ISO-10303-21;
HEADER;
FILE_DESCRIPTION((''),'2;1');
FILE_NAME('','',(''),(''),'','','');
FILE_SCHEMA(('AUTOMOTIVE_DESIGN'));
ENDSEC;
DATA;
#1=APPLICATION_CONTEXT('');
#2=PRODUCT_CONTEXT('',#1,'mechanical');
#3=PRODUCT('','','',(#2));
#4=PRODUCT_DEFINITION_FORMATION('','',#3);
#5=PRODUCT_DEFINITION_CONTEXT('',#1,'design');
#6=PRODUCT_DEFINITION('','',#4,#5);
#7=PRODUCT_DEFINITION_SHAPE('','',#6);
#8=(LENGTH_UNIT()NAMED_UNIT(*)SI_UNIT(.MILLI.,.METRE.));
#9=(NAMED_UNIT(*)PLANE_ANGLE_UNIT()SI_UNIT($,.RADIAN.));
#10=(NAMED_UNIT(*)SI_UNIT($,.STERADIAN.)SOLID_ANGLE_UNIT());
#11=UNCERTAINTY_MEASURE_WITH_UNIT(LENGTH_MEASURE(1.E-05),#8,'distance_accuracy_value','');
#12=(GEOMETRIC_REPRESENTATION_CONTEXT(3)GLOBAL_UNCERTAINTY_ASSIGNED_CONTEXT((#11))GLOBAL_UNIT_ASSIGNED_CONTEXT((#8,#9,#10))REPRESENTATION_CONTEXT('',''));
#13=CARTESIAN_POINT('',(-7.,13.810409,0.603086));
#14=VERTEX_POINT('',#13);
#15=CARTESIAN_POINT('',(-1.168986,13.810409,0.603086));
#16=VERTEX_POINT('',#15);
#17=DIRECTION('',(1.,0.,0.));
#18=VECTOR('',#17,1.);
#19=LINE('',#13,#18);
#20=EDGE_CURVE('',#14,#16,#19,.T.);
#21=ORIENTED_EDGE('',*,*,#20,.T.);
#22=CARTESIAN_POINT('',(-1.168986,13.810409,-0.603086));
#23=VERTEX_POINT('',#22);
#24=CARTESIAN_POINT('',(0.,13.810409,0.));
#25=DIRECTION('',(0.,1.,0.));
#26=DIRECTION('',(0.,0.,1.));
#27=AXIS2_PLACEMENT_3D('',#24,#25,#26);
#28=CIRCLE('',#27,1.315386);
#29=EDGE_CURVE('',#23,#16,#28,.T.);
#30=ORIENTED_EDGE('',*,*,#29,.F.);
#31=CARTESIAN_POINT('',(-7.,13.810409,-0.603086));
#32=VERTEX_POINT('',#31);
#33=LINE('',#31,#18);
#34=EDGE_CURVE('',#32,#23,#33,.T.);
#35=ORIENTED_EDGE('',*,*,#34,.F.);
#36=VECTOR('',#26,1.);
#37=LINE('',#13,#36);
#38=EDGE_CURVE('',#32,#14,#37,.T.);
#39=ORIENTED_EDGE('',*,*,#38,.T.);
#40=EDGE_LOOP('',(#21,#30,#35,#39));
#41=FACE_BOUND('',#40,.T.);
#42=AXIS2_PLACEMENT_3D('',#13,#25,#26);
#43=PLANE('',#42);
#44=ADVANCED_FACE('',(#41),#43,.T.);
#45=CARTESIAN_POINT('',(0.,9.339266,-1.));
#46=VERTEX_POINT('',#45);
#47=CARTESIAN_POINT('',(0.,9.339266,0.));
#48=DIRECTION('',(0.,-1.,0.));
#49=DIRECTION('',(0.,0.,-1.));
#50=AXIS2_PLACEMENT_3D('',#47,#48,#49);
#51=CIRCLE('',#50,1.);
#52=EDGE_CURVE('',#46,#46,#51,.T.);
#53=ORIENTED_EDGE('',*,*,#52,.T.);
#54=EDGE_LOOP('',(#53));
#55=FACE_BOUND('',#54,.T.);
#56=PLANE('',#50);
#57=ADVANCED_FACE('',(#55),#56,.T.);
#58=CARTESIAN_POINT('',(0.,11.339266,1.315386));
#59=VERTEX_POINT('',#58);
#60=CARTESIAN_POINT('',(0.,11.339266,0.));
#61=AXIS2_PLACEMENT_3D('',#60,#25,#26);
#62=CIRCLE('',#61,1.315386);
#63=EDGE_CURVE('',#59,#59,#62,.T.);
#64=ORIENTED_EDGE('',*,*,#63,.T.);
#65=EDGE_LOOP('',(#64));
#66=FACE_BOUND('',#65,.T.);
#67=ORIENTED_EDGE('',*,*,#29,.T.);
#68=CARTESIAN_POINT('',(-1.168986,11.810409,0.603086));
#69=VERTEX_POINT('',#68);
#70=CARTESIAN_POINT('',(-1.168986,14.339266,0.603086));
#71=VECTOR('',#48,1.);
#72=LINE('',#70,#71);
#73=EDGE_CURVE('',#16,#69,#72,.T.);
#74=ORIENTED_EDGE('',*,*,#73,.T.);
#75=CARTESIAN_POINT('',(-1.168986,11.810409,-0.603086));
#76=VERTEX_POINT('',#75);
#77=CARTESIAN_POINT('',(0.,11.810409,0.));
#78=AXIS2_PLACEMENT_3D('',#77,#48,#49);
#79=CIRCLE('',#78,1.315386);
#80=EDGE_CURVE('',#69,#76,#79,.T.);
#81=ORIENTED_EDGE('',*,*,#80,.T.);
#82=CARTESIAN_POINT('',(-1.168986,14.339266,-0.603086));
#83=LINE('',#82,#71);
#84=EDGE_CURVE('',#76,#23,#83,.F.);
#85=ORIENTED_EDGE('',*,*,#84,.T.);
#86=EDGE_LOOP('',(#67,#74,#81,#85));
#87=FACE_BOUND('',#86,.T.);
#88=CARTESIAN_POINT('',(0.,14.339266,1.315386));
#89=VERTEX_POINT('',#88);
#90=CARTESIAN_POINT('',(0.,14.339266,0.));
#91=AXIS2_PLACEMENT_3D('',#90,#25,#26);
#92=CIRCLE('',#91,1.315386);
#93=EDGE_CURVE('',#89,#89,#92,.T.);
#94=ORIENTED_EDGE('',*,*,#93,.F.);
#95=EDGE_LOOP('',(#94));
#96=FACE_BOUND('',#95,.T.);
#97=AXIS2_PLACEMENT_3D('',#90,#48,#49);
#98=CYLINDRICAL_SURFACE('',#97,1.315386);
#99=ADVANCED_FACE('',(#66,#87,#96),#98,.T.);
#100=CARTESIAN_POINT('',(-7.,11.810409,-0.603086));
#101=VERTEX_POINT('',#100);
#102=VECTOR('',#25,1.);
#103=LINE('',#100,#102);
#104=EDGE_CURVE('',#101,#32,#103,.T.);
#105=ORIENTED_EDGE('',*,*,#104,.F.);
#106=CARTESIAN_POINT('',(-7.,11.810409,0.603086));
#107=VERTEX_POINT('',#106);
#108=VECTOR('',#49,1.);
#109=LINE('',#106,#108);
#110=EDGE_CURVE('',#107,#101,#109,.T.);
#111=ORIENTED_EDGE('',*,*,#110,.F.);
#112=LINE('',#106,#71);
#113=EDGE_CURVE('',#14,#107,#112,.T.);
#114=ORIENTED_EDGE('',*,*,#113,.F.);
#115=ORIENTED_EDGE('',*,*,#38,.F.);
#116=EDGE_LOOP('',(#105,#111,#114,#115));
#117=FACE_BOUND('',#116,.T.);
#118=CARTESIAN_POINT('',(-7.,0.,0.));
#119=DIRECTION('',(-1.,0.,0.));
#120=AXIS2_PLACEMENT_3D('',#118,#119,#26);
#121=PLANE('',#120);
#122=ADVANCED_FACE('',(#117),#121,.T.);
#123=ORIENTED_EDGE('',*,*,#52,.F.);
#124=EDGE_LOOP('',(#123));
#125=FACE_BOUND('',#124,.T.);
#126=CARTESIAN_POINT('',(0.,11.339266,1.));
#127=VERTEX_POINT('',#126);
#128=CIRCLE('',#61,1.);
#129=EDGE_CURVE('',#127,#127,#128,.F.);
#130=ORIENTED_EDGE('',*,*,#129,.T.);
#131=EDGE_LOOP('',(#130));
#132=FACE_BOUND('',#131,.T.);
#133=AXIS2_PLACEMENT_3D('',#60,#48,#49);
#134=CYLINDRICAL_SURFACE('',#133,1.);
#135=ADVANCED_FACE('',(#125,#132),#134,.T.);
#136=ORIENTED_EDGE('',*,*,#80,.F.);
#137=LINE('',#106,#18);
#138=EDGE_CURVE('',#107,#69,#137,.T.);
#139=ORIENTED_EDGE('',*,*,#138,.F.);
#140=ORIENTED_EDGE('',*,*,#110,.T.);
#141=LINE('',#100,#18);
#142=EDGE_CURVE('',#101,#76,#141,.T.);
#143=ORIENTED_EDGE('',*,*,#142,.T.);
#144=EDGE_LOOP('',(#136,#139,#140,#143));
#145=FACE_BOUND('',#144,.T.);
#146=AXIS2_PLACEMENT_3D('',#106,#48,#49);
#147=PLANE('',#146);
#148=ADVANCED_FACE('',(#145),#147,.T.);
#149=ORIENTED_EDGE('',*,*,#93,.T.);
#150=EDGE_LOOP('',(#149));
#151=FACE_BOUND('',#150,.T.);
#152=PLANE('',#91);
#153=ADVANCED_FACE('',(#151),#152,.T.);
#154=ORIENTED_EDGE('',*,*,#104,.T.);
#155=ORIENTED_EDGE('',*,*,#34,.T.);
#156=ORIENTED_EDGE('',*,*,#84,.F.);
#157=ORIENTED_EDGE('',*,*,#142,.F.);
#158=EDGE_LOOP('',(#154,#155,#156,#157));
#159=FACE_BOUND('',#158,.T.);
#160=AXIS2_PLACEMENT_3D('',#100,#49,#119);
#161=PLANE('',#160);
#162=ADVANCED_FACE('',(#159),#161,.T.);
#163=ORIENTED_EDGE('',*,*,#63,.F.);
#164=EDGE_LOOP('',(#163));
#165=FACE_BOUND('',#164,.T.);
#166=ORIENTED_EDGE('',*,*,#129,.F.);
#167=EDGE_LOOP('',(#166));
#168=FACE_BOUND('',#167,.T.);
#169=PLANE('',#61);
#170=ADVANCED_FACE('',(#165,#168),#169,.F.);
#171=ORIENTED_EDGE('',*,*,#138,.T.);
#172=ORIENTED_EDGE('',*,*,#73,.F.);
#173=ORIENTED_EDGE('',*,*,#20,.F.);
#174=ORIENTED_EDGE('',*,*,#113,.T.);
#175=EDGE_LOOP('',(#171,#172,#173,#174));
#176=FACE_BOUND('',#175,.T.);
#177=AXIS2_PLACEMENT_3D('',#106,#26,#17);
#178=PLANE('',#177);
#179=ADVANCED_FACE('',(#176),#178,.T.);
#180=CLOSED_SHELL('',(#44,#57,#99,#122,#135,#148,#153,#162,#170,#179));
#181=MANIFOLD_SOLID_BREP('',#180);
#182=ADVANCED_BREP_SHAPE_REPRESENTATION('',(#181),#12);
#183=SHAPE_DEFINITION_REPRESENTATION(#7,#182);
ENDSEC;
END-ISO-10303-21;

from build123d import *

# Parameters (mm, degrees)
SKETCH5_R           = 1
BOSS_EXTRUDE2_DEPTH = 2
SKETCH8_R           = 1.315386289
BOSS_EXTRUDE4_DEPTH = 3
SKETCH11_W          = 1.206172966
SKETCH11_H          = 2
BOSS_EXTRUDE5_DEPTH = 7


with BuildPart() as part:
    # Sketch5 → Boss-Extrude2 (new body)
    with BuildSketch(Plane.XZ.offset(-9.339266183)):
        with Locations(Location((0, 0, 0), (0, 0, 270))):
            Circle(SKETCH5_R)
    extrude(amount=-BOSS_EXTRUDE2_DEPTH)

    # Sketch8 → Boss-Extrude4 (add)
    with BuildSketch(Plane(origin=(0, 11.339266183, 0), x_dir=(1, 0, 0), z_dir=(0, 1, 0))):
        with Locations(Location((0, 0, 0), (0, 0, 270))):
            Circle(SKETCH8_R)
    extrude(amount=BOSS_EXTRUDE4_DEPTH)

    # Sketch11 → Boss-Extrude5 (add)
    with BuildSketch(Plane(origin=(0, 0, 0), x_dir=(0, 0, -1), z_dir=(1, 0, 0))):
        with Locations((0, 12.810409413)):
            Rectangle(SKETCH11_W, SKETCH11_H)
    extrude(amount=-BOSS_EXTRUDE5_DEPTH)


solid = part.part
